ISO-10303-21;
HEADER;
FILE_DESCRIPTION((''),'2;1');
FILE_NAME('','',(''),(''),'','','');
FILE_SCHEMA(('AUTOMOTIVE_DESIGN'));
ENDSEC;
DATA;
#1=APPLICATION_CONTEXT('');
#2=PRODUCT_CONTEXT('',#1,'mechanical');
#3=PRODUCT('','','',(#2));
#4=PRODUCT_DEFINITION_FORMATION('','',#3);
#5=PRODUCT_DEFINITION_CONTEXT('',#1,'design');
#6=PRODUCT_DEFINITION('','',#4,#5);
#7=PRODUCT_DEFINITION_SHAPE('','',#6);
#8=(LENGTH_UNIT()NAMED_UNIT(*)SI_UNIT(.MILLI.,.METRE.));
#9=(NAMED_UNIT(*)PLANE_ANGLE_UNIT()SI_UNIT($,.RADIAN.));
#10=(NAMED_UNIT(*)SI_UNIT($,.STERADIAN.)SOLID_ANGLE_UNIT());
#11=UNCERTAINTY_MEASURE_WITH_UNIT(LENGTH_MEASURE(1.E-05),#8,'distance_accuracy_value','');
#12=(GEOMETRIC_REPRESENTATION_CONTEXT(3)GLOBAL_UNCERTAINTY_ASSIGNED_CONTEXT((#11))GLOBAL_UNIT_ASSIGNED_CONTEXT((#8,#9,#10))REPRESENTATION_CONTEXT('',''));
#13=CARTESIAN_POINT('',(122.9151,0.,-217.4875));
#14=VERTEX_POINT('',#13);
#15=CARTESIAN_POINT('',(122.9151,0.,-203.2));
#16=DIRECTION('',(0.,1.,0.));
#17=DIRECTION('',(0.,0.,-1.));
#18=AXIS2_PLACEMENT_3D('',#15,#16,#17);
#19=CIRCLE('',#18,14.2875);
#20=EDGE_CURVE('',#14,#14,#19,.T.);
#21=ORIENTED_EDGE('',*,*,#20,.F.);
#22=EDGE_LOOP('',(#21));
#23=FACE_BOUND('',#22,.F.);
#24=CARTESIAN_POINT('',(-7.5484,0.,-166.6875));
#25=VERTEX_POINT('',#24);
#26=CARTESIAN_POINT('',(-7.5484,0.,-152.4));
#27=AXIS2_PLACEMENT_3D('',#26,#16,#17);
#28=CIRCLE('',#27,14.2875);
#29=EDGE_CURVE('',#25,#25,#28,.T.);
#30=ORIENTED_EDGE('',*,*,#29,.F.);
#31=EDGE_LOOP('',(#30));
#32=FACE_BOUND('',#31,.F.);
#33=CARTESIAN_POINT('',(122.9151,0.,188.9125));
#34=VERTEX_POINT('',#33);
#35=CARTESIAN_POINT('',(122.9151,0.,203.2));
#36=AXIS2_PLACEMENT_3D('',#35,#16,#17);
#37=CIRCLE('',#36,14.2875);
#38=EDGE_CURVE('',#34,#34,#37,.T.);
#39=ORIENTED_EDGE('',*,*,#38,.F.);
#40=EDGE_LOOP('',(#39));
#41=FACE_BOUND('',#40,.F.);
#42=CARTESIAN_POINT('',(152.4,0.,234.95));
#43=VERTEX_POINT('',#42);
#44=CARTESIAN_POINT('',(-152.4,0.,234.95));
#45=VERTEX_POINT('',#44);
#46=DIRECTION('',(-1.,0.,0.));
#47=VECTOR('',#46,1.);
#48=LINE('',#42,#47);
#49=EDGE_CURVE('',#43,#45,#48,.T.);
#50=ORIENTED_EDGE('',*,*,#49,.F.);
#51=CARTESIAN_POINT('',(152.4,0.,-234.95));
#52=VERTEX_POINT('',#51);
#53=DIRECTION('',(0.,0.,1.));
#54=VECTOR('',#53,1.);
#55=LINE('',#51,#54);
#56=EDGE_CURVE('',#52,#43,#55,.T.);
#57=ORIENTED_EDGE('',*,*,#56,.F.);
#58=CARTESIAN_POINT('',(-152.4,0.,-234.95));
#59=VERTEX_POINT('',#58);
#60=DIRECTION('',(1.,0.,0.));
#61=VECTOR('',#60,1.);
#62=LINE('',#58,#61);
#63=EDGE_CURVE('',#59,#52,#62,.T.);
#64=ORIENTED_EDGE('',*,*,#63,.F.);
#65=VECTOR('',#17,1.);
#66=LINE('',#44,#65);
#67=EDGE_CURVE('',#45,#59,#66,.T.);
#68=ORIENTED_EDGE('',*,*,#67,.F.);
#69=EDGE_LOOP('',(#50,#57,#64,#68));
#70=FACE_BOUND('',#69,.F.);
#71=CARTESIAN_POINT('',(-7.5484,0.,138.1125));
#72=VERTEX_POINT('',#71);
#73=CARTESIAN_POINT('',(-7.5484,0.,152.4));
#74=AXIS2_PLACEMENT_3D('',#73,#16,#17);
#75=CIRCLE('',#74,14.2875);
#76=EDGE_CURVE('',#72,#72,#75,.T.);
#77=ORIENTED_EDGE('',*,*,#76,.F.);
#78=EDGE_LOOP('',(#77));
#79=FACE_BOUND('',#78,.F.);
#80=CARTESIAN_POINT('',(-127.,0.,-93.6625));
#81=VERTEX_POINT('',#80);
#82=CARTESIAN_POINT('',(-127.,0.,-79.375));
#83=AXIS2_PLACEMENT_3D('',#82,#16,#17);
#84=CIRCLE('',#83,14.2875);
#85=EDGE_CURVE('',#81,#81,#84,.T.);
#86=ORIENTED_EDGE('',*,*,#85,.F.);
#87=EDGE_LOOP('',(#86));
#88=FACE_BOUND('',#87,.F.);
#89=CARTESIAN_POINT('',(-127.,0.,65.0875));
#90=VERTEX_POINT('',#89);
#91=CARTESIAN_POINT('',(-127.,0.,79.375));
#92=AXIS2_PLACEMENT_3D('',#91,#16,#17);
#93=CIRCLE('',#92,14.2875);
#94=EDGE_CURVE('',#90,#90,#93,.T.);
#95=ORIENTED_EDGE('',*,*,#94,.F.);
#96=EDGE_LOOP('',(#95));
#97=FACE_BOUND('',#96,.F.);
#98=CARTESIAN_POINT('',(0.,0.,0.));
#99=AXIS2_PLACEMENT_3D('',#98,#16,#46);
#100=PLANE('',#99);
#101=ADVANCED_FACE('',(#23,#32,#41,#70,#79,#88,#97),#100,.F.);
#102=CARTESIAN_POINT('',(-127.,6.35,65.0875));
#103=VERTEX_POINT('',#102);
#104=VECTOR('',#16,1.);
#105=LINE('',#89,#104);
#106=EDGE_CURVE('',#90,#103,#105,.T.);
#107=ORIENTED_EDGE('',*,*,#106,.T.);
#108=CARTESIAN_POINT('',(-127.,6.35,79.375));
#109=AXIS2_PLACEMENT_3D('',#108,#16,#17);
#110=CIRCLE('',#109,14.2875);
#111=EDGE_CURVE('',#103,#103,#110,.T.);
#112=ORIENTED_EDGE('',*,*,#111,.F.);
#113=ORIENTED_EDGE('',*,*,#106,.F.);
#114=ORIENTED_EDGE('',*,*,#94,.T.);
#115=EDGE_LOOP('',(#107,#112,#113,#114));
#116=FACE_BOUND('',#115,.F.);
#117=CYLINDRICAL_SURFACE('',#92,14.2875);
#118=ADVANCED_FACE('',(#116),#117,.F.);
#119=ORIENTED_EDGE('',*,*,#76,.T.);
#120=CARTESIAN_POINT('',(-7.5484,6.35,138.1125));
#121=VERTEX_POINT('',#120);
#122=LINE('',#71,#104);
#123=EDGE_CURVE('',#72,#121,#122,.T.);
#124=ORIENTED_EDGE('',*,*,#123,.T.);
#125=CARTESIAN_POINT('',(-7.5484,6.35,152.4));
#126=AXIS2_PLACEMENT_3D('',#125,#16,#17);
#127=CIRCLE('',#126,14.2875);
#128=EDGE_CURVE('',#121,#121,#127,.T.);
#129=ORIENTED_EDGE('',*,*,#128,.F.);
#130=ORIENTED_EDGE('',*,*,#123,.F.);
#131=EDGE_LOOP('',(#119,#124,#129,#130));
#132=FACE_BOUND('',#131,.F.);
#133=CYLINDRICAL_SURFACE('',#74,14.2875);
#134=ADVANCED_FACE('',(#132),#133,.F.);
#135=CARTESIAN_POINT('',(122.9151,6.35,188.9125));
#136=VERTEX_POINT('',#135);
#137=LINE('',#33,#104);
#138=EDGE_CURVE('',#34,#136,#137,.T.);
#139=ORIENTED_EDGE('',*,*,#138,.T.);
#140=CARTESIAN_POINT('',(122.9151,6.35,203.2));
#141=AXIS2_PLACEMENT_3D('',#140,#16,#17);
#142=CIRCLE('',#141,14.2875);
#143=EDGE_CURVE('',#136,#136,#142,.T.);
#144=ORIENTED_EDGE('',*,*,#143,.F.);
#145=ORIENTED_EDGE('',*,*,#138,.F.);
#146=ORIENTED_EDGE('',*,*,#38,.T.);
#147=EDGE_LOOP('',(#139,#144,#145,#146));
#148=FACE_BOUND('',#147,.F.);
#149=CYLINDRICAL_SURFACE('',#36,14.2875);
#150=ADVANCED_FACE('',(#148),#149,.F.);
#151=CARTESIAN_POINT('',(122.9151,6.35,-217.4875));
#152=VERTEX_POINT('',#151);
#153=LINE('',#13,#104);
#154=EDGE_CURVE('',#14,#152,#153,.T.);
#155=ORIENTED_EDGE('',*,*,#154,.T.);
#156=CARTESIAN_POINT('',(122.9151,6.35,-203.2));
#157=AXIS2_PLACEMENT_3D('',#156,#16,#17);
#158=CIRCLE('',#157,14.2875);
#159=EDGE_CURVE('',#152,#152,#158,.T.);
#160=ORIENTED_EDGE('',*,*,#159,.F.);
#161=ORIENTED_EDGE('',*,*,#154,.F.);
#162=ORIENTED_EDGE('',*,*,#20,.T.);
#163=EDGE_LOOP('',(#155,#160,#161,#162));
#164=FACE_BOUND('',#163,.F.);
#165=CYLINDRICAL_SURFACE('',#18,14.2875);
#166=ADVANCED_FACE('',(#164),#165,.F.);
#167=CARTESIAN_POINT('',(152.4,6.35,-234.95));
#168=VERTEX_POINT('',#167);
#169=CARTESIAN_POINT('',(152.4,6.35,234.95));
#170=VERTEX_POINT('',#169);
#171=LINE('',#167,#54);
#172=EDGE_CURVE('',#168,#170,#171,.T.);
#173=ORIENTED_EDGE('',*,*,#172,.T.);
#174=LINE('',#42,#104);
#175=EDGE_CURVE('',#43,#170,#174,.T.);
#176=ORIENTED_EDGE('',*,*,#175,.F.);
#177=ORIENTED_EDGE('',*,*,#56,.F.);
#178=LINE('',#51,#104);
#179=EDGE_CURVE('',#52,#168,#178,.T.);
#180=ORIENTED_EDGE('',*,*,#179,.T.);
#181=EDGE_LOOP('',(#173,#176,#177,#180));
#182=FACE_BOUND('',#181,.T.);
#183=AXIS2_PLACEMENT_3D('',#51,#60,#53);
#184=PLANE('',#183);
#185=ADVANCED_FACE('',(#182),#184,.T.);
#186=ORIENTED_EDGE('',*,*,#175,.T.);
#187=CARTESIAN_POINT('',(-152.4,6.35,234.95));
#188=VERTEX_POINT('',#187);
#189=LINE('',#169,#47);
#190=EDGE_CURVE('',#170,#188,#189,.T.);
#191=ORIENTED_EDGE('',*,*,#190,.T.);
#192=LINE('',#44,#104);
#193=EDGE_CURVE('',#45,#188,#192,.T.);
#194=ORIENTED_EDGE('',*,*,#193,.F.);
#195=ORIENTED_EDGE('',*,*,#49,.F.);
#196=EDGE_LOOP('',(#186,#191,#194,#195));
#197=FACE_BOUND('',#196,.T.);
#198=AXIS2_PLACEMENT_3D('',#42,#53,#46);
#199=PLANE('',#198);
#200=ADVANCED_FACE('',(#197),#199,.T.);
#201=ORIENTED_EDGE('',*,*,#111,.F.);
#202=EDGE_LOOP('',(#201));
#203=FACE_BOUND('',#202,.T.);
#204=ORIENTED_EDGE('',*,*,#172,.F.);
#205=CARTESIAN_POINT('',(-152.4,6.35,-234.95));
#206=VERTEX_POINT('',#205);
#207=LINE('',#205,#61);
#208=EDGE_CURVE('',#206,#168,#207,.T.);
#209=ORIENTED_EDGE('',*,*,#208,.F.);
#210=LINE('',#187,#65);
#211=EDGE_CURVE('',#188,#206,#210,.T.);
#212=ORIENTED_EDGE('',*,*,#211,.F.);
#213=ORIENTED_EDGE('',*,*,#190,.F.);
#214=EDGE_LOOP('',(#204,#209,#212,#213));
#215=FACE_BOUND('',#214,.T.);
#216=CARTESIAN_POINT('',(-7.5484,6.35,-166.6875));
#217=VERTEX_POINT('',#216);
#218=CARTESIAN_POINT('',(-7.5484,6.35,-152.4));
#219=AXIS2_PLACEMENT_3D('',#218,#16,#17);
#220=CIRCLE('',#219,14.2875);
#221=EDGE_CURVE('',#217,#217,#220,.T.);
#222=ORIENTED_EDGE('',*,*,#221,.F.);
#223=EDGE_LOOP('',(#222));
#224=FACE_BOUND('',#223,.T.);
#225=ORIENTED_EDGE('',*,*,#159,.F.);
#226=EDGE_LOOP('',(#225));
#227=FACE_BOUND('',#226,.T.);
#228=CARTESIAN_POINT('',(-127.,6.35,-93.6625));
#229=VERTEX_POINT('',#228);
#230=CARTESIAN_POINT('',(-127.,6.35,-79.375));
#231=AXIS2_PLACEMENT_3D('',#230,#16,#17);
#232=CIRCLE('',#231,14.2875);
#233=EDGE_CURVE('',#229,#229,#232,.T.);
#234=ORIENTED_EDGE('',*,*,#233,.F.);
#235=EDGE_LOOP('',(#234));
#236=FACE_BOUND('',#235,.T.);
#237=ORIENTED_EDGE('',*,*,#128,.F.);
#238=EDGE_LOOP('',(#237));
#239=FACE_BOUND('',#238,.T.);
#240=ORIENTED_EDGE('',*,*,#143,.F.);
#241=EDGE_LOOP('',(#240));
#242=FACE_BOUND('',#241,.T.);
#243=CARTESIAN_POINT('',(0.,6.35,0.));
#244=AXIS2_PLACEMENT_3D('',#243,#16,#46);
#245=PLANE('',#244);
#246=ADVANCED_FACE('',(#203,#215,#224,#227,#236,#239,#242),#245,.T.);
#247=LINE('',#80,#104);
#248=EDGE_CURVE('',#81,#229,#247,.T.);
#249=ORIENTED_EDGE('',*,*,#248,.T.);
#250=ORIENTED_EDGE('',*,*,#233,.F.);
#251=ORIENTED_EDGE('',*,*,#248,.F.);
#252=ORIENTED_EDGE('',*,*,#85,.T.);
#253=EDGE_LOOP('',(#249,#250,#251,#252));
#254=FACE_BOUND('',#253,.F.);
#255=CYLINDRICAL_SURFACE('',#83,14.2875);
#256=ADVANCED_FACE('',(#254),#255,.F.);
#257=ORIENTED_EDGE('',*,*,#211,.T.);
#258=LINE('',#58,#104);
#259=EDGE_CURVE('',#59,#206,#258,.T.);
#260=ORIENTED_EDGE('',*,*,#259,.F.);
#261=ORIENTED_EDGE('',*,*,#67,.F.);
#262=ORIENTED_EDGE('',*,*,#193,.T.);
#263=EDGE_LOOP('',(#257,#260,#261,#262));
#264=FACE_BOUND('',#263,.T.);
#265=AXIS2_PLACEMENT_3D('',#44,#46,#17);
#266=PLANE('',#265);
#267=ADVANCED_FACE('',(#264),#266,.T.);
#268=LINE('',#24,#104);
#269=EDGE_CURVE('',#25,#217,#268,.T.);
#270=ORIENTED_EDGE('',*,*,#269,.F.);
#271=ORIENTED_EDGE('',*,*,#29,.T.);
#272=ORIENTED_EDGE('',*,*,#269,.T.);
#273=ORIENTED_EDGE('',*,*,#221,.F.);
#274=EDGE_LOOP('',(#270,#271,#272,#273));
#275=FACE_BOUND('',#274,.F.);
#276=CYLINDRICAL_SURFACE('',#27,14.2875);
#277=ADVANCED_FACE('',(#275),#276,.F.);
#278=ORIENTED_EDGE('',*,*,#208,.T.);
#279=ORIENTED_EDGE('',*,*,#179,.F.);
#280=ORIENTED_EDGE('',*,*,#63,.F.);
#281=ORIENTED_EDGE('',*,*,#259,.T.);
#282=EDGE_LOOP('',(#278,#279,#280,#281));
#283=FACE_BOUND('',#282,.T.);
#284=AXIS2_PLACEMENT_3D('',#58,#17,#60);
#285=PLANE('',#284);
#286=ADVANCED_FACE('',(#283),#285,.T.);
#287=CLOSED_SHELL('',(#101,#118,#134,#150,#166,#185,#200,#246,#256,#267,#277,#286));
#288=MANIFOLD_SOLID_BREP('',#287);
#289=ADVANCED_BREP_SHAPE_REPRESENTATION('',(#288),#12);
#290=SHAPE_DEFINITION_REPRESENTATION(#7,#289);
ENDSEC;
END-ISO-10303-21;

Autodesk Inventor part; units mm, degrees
ref_plane "YZ Plane" through (0, 0, 0) normal (1, 0, 0) x (0, 1, 0)
ref_plane "XZ Plane" through (0, 0, 0) normal (0, 1, 0) x (-1, 0, 0)
ref_plane "XY Plane" through (0, 0, 0) normal (0, 0, 1) x (1, 0, 0)
sketch "Sketch1" plane through (0, 0, 0) normal (0, 1, 0) x (-1, 0, 0)
  line L0 (-152.4, 234.95) -> (152.4, 234.95)
  line L1 (152.4, 234.95) -> (152.4, -234.95)
  line L2 (152.4, -234.95) -> (-152.4, -234.95)
  line L3 (-152.4, -234.95) -> (-152.4, 234.95)
  line L4 (-152.4, 234.95) -> (152.4, -234.95) construction
  line L5 (152.4, 234.95) -> (-152.4, -234.95) construction
  circle A0 centre (127, -79.375) radius 25.4 construction
  circle A1 centre (127, 79.375) radius 25.4 construction
  circle A2 centre (7.5484, 152.4) radius 25.4 construction
  circle A3 centre (7.5484, -152.4) radius 25.4 construction
  circle A4 centre (-122.9151, -203.2) radius 25.4 construction
  circle A5 centre (-122.9151, 203.2) radius 25.4 construction
  point P0 (0, 0)
  dimension "d0" = 304.8
  dimension "d1" = 469.9
  dimension "d2" = 158.75
  dimension "d3" = 50.8
  dimension "d4" = 50.8
  dimension "d5" = 79.375
  dimension "d6" = 50.8
  dimension "d7" = 50.8
  dimension "d8" = 50.8
  dimension "d9" = 50.8
  dimension "d10" = 406.4
  dimension "d11" = 304.8
  dimension "d12" = 152.4
  dimension "d14" = 203.2
  dimension "d17" = 140.0048
  dimension "d18" = 140.0048
  dimension "d19" = 25.4
extrude "Extrusion1" add sketch "Sketch1" along normal blind 6.35
hole "Hole1" at (-127, 0, 79.375) at (-127, 0, -79.375) at (-7.5484, 0, 152.4) at (122.9151, 0, 203.2) at (-7.5484, 0, -152.4) at (122.9151, 0, -203.2) direction (0, 1, 0) diameter 28.575 end through all
equation "\"d3\" = d4"
equation "\"d5\" = 0.5 * d2"
equation "\"d6\" = d4"
equation "\"d7\" = d4"
equation "\"d8\" = d4"
equation "\"d9\" = d4"
equation "\"d12\" = 0.5 * d11"
equation "\"d14\" = 0.5 * d10"
properties part number "Int1-001" material "Aluminum 6061"
